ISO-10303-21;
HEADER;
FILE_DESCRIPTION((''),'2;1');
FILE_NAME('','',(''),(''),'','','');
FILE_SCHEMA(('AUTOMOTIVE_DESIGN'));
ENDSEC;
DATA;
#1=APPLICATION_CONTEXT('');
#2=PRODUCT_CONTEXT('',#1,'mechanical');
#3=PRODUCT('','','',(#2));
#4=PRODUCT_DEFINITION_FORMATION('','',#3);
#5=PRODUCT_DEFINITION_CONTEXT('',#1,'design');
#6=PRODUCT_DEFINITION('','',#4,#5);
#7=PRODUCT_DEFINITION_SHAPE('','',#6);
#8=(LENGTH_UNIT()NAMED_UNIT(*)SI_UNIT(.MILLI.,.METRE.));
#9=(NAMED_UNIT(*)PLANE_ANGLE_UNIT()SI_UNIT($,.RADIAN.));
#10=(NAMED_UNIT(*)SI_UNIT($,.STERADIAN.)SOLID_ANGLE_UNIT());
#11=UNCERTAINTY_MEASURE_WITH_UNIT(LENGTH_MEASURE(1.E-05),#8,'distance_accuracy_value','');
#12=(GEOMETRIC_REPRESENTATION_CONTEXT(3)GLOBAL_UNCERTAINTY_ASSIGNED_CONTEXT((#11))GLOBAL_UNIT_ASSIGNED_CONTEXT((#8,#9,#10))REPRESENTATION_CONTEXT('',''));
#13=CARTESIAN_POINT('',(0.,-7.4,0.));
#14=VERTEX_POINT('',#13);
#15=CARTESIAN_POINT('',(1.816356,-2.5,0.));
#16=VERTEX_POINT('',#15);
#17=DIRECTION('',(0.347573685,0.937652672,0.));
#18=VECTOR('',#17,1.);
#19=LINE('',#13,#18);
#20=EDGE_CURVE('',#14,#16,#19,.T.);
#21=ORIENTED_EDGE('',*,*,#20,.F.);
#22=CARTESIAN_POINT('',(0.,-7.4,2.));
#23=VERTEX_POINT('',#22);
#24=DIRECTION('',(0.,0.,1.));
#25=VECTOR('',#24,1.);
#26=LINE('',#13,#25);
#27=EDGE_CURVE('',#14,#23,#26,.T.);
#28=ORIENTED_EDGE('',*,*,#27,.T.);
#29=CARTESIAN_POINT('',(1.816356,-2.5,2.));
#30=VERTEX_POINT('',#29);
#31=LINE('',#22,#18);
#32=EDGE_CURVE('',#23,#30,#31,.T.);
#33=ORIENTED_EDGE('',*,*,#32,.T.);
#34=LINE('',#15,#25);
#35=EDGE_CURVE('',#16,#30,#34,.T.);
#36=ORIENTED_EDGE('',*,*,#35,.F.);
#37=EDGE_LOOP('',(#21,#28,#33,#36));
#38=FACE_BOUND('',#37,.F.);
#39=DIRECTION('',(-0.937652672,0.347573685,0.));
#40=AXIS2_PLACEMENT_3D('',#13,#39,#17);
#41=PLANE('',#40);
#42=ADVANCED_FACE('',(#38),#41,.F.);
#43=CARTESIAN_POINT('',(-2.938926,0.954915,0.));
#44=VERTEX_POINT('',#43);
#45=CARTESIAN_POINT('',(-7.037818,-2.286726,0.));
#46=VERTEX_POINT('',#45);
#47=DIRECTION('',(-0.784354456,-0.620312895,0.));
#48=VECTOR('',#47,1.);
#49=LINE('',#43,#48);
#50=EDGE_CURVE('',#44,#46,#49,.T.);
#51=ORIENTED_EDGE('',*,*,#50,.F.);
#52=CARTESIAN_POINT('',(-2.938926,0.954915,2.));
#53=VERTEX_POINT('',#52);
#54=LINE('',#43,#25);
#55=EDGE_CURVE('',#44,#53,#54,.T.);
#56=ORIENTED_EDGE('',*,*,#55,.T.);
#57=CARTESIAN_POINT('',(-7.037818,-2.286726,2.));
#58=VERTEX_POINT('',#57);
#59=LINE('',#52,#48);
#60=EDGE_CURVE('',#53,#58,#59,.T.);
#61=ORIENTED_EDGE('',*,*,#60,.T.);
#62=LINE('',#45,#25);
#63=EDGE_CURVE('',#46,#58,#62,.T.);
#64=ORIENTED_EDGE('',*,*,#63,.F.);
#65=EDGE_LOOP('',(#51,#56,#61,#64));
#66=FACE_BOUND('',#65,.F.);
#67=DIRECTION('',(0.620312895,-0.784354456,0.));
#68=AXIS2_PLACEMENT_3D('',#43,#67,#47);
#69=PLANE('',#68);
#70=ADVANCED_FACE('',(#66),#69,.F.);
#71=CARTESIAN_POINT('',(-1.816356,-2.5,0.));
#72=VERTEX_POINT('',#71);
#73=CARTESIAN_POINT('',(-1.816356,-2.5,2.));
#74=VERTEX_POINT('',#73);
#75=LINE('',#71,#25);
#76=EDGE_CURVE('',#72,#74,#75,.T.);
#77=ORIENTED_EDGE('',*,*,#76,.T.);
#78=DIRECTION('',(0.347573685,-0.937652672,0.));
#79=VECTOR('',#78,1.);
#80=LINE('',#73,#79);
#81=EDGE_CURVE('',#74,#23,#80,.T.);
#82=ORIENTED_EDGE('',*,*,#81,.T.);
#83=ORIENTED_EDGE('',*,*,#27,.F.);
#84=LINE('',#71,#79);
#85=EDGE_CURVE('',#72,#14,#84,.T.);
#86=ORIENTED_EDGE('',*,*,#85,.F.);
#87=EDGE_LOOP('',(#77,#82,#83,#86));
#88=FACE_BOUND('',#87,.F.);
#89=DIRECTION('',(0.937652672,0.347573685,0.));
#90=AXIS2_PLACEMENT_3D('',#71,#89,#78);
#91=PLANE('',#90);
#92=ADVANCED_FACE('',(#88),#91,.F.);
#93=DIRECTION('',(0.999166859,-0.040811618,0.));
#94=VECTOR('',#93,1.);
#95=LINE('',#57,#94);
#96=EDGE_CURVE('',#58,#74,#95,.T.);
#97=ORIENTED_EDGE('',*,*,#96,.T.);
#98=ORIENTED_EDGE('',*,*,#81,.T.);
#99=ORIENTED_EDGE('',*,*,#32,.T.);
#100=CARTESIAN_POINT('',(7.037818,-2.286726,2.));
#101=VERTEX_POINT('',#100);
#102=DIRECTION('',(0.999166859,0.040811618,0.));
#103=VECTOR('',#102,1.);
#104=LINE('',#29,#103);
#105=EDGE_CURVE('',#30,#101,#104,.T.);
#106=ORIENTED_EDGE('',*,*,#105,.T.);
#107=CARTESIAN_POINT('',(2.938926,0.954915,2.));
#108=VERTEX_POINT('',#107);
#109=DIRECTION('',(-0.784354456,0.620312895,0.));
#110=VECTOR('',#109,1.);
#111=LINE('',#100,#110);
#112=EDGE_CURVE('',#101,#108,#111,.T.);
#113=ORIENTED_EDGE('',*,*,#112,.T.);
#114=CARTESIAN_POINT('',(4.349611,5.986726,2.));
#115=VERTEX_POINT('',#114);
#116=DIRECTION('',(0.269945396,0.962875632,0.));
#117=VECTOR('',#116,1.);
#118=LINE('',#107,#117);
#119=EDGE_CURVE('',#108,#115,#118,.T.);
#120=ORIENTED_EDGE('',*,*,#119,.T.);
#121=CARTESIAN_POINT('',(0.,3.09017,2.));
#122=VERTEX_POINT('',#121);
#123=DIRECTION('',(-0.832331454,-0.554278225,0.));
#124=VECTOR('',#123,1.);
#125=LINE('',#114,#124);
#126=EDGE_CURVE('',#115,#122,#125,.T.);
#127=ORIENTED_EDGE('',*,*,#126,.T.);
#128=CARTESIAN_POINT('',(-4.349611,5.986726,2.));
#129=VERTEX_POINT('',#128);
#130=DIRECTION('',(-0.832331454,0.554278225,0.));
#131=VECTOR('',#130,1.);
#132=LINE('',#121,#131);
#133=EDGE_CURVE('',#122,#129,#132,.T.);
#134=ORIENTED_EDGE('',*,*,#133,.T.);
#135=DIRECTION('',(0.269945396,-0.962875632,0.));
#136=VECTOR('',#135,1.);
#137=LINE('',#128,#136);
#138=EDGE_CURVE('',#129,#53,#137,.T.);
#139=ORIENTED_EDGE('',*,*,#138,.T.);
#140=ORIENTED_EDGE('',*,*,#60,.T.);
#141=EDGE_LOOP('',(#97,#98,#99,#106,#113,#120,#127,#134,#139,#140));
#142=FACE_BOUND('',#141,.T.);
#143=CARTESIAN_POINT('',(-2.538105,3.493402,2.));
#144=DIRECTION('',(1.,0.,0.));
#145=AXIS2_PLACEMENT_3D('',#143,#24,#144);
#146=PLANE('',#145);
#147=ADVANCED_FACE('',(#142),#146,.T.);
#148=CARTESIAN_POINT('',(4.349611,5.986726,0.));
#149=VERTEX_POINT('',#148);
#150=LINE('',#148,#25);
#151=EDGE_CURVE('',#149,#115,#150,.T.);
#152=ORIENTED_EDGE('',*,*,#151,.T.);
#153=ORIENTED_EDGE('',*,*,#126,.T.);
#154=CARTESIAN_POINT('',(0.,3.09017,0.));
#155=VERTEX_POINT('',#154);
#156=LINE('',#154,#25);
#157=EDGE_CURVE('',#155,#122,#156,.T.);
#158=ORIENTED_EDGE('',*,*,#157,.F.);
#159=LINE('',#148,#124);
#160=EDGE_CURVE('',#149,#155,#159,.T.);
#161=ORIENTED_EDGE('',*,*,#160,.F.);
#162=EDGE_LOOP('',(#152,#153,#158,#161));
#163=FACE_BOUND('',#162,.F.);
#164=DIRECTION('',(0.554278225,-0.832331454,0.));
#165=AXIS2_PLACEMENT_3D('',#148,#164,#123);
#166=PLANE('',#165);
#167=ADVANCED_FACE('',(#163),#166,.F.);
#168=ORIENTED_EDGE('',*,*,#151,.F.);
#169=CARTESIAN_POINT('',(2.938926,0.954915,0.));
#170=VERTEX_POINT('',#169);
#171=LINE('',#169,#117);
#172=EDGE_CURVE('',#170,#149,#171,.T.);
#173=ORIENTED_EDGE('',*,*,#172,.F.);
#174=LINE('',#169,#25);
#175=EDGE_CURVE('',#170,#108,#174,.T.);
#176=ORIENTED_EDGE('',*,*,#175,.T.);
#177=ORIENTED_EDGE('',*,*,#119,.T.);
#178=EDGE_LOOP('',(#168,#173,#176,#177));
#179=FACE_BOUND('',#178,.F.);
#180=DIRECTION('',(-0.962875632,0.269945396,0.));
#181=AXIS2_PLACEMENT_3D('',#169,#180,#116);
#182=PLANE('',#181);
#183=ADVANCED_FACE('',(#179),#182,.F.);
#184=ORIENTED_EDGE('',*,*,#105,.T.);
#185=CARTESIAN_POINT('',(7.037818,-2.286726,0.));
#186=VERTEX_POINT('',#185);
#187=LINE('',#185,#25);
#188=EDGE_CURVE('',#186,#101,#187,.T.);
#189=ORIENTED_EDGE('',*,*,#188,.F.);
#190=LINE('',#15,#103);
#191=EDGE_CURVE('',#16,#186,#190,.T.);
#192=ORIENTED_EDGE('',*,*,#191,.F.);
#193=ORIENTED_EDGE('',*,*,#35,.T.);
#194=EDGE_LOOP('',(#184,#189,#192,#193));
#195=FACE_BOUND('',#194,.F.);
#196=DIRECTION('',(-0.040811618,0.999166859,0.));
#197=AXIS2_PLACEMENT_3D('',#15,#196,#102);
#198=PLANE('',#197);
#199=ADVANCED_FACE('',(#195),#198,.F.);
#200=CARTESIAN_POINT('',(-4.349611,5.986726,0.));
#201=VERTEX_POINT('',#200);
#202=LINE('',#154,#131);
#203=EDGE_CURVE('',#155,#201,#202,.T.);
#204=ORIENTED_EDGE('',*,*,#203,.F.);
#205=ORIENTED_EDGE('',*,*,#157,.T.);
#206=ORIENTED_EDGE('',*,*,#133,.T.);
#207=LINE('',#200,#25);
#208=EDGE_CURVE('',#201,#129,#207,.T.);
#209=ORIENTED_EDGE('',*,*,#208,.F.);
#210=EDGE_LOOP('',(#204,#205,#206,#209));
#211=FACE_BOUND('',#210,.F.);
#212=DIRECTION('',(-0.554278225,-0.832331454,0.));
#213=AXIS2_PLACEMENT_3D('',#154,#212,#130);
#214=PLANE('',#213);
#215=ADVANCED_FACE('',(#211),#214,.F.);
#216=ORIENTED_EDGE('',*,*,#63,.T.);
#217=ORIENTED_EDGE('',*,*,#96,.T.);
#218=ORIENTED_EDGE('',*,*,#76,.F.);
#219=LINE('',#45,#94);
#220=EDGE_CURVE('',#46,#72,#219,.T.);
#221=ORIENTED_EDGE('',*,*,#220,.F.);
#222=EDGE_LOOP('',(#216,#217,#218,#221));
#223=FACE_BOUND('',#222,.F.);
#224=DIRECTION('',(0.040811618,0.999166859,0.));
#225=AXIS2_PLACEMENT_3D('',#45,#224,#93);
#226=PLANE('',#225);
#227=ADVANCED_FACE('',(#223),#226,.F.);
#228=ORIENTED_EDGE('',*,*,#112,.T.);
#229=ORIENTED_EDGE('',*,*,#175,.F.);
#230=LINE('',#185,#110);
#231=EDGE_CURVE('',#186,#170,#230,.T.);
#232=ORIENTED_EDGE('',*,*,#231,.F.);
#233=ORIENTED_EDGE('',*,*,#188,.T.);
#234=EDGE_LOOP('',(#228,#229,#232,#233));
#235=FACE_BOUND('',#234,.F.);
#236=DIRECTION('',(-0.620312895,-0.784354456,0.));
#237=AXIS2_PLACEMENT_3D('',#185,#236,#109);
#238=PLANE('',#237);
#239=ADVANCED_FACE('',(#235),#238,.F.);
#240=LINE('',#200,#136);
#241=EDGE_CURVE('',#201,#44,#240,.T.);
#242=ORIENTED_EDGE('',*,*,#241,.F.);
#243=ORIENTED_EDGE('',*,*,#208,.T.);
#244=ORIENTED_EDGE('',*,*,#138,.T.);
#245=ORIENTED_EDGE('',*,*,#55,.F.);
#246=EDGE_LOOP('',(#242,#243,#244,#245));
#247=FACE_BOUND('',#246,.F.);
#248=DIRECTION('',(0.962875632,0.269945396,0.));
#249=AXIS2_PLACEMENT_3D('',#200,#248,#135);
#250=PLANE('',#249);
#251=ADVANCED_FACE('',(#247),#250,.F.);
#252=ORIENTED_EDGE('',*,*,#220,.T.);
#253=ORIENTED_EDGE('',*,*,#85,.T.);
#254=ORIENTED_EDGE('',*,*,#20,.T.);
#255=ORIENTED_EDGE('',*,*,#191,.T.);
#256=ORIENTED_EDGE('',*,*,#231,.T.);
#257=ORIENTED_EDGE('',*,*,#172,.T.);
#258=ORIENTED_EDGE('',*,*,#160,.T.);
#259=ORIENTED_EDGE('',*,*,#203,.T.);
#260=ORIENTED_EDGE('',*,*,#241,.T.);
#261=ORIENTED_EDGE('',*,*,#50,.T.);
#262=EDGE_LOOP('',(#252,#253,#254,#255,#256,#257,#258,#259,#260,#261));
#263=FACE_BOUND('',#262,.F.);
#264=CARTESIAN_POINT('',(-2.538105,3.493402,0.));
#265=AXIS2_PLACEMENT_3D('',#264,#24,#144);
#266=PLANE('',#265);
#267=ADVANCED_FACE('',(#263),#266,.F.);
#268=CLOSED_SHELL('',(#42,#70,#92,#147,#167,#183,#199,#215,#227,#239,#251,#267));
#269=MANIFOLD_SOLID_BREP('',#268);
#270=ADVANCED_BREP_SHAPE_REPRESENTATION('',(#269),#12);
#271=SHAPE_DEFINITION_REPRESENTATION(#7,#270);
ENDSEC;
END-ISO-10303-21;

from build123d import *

# Parameters (mm, degrees)
F1_DEPTH = 2


with BuildPart() as f1:
    # F0 (on Top) → F1 (new body)
    with BuildSketch(Plane.XY):
        Polygon((-2.938926, 0.954915), (0, 3.09017), (-4.349611, 5.986726), align=None)
        Polygon((4.349611, 5.986726), (0, 3.09017), (2.938926, 0.954915), align=None)
        Polygon((2.938926, 0.954915), (0, 3.09017), (-2.938926, 0.954915), (-1.816356, -2.5), (0, -2.5), (1.816356, -2.5), align=None)
        Polygon((-1.816356, -2.5), (-2.938926, 0.954915), (-7.037818, -2.286726), align=None)
        Polygon((0, -2.5), (-1.816356, -2.5), (0, -7.4), align=None)
        Polygon((7.037818, -2.286726), (2.938926, 0.954915), (1.816356, -2.5), align=None)
        Polygon((0, -7.4), (1.816356, -2.5), (0, -2.5), align=None)
    extrude(amount=F1_DEPTH)


solid = f1.part
